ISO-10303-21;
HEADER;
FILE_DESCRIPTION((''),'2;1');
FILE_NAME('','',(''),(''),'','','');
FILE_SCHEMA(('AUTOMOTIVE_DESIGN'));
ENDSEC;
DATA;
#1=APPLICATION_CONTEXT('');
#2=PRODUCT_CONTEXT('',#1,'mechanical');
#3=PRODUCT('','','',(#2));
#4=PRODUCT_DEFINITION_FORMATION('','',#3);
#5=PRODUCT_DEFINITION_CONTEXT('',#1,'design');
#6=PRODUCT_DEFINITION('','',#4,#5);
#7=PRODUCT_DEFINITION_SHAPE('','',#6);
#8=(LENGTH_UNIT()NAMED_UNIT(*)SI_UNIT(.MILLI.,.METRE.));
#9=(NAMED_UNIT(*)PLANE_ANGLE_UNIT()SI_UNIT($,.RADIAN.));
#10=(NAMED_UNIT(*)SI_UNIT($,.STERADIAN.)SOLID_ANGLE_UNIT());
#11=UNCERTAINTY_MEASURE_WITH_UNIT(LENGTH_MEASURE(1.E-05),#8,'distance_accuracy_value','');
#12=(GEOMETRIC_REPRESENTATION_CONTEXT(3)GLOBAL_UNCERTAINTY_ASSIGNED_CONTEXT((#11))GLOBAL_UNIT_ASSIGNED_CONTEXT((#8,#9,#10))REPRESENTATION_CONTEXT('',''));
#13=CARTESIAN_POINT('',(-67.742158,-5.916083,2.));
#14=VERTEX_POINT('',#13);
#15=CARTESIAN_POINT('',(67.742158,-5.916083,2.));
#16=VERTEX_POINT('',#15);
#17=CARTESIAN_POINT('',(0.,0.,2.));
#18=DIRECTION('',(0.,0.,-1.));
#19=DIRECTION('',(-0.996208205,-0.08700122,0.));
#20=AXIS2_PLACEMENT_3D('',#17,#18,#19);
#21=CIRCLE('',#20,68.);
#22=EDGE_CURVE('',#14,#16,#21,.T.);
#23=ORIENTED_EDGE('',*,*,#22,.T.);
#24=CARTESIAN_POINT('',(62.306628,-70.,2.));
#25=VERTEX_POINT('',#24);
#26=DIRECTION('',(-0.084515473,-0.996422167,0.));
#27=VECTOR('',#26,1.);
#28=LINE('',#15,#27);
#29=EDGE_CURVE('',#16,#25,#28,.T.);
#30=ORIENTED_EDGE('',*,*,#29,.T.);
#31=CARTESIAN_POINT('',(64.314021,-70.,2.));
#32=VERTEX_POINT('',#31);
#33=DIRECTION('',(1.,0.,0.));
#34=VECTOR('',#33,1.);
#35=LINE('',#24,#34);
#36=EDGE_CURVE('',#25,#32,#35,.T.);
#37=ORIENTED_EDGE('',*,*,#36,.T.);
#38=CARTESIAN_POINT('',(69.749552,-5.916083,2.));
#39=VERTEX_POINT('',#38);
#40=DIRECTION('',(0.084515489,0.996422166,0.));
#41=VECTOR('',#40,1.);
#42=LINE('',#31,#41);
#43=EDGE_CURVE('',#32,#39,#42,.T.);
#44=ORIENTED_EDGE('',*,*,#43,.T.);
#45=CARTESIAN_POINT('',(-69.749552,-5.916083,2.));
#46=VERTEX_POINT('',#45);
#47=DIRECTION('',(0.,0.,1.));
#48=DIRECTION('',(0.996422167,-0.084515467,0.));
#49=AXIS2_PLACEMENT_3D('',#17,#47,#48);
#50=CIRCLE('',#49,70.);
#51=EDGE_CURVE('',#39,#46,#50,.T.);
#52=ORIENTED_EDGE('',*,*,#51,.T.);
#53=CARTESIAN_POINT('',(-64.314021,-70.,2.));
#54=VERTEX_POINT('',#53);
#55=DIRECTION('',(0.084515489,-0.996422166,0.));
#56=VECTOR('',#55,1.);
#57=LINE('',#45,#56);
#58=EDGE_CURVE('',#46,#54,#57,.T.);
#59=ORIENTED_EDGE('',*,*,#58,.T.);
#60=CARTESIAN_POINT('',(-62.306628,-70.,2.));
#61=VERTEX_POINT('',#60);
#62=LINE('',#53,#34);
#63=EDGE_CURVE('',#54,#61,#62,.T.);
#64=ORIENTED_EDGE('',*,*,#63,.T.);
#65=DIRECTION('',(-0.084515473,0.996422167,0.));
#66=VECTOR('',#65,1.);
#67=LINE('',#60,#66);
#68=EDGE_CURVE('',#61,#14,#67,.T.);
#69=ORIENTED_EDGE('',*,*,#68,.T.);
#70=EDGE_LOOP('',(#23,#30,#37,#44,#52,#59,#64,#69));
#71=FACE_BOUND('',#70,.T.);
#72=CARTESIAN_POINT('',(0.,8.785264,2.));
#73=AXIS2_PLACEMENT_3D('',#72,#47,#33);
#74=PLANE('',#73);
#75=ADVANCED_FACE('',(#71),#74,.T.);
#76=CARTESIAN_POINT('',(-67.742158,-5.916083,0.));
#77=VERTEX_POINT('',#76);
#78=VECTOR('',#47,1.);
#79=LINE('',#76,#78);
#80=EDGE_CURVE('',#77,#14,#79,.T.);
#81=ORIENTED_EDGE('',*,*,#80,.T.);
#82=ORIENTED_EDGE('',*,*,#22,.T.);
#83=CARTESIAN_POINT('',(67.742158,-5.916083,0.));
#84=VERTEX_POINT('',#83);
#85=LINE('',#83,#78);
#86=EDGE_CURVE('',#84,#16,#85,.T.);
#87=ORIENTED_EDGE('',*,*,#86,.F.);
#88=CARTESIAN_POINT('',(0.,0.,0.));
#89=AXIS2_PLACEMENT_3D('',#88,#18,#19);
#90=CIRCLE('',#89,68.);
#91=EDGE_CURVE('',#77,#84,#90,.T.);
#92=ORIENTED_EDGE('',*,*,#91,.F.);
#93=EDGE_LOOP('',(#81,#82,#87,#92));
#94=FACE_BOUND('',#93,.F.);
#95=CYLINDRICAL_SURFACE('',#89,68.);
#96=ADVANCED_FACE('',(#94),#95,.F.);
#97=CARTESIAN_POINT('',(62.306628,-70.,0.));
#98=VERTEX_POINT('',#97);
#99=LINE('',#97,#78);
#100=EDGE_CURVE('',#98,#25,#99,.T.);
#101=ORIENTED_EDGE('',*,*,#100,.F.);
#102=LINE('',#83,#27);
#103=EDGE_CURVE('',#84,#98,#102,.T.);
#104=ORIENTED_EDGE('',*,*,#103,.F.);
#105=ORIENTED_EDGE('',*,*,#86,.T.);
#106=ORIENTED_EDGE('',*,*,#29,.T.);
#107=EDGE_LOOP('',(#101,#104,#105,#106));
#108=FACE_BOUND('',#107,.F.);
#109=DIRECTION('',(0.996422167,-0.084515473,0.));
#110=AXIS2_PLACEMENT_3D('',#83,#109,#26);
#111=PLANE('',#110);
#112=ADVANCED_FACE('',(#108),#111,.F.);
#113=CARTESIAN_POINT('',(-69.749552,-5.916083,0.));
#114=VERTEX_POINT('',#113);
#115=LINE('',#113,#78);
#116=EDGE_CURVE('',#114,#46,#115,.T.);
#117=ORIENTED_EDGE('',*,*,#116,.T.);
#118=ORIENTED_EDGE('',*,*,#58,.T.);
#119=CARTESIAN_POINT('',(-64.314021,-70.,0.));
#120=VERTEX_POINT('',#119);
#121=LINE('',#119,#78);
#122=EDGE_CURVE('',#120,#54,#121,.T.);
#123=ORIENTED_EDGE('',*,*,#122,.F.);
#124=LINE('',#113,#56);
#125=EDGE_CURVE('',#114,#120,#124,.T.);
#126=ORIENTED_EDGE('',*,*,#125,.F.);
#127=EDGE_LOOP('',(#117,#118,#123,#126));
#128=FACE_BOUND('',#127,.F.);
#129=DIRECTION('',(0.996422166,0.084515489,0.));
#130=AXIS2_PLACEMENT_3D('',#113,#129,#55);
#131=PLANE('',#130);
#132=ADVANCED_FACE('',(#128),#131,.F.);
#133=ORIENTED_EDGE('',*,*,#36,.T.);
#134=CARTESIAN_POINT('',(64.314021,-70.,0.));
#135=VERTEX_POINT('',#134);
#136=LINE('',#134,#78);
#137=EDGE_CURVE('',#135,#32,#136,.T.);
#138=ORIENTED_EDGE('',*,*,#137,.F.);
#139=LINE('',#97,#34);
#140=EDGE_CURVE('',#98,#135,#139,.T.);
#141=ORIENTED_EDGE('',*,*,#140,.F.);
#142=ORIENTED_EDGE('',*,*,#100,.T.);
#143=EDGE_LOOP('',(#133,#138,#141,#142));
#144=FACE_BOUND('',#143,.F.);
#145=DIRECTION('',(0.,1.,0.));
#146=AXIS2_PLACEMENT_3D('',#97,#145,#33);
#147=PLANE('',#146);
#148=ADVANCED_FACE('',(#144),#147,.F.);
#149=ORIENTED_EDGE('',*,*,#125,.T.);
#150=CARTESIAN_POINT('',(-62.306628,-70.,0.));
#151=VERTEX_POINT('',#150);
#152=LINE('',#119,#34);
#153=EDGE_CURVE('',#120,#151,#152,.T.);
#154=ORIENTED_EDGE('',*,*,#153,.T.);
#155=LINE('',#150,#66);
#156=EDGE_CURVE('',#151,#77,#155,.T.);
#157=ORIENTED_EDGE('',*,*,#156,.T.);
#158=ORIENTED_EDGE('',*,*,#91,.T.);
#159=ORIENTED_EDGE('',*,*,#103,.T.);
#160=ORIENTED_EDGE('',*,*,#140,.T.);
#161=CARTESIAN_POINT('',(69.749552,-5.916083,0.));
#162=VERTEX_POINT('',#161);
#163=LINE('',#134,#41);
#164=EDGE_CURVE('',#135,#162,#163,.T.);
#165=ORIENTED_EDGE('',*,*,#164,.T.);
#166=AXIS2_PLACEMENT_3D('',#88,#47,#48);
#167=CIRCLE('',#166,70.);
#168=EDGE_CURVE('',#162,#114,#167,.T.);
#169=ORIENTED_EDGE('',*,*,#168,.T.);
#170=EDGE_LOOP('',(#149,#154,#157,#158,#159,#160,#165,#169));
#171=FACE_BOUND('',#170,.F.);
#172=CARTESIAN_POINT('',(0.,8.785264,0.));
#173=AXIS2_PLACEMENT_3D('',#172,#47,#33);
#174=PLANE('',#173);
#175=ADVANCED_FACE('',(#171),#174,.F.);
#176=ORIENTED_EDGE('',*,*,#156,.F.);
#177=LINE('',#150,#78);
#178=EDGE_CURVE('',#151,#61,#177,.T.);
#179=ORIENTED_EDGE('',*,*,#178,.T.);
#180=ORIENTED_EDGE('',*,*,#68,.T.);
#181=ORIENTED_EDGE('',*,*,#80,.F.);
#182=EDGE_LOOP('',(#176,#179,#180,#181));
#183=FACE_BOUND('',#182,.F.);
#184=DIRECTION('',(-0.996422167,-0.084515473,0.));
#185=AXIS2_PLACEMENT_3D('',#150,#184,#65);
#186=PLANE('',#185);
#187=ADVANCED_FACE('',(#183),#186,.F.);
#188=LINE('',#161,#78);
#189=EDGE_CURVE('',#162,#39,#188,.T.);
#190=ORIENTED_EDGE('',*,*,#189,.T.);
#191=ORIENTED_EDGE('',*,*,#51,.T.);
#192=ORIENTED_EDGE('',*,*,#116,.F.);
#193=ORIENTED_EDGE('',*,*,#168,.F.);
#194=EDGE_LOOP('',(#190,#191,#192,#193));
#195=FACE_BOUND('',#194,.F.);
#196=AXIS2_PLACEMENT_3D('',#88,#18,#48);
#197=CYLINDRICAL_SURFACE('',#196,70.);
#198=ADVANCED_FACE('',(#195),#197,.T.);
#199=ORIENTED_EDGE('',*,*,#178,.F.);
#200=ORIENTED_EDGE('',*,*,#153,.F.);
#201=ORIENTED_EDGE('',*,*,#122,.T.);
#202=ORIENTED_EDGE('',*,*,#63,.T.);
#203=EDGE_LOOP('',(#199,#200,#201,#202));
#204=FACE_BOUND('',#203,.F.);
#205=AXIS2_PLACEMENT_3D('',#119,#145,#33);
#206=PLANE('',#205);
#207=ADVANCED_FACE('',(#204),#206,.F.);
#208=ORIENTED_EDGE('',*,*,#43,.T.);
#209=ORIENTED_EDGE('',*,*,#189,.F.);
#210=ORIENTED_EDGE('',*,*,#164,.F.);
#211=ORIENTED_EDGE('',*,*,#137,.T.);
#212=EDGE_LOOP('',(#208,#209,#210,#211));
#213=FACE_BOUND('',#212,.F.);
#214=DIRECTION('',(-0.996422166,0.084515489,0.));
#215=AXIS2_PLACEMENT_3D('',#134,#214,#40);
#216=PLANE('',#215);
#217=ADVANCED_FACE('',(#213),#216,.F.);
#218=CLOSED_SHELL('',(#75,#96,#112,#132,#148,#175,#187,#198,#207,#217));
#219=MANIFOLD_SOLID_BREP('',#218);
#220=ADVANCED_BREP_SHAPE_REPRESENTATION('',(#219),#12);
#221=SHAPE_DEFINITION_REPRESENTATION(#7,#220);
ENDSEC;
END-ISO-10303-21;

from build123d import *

# Parameters (mm, degrees)
F1_DEPTH = 2


with BuildPart() as f1:
    # F0 (on Top) → F1 (new body)
    with BuildSketch(Plane.XY):
        with BuildLine():
            Line((64.314021, -70), (69.749552, -5.916083))
            ThreePointArc((69.749552, -5.916083), (0, 70), (-69.749552, -5.916083))
            Line((-69.749552, -5.916083), (-64.314021, -70))
            Line((-64.314021, -70), (-62.306628, -70))
            Line((-62.306628, -70), (-67.742158, -5.916083))
            ThreePointArc((-67.742158, -5.916083), (0, 68), (67.742158, -5.916083))
            Line((67.742158, -5.916083), (62.306628, -70))
            Line((62.306628, -70), (64.314021, -70))
        make_face()
    extrude(amount=F1_DEPTH)


solid = f1.part
